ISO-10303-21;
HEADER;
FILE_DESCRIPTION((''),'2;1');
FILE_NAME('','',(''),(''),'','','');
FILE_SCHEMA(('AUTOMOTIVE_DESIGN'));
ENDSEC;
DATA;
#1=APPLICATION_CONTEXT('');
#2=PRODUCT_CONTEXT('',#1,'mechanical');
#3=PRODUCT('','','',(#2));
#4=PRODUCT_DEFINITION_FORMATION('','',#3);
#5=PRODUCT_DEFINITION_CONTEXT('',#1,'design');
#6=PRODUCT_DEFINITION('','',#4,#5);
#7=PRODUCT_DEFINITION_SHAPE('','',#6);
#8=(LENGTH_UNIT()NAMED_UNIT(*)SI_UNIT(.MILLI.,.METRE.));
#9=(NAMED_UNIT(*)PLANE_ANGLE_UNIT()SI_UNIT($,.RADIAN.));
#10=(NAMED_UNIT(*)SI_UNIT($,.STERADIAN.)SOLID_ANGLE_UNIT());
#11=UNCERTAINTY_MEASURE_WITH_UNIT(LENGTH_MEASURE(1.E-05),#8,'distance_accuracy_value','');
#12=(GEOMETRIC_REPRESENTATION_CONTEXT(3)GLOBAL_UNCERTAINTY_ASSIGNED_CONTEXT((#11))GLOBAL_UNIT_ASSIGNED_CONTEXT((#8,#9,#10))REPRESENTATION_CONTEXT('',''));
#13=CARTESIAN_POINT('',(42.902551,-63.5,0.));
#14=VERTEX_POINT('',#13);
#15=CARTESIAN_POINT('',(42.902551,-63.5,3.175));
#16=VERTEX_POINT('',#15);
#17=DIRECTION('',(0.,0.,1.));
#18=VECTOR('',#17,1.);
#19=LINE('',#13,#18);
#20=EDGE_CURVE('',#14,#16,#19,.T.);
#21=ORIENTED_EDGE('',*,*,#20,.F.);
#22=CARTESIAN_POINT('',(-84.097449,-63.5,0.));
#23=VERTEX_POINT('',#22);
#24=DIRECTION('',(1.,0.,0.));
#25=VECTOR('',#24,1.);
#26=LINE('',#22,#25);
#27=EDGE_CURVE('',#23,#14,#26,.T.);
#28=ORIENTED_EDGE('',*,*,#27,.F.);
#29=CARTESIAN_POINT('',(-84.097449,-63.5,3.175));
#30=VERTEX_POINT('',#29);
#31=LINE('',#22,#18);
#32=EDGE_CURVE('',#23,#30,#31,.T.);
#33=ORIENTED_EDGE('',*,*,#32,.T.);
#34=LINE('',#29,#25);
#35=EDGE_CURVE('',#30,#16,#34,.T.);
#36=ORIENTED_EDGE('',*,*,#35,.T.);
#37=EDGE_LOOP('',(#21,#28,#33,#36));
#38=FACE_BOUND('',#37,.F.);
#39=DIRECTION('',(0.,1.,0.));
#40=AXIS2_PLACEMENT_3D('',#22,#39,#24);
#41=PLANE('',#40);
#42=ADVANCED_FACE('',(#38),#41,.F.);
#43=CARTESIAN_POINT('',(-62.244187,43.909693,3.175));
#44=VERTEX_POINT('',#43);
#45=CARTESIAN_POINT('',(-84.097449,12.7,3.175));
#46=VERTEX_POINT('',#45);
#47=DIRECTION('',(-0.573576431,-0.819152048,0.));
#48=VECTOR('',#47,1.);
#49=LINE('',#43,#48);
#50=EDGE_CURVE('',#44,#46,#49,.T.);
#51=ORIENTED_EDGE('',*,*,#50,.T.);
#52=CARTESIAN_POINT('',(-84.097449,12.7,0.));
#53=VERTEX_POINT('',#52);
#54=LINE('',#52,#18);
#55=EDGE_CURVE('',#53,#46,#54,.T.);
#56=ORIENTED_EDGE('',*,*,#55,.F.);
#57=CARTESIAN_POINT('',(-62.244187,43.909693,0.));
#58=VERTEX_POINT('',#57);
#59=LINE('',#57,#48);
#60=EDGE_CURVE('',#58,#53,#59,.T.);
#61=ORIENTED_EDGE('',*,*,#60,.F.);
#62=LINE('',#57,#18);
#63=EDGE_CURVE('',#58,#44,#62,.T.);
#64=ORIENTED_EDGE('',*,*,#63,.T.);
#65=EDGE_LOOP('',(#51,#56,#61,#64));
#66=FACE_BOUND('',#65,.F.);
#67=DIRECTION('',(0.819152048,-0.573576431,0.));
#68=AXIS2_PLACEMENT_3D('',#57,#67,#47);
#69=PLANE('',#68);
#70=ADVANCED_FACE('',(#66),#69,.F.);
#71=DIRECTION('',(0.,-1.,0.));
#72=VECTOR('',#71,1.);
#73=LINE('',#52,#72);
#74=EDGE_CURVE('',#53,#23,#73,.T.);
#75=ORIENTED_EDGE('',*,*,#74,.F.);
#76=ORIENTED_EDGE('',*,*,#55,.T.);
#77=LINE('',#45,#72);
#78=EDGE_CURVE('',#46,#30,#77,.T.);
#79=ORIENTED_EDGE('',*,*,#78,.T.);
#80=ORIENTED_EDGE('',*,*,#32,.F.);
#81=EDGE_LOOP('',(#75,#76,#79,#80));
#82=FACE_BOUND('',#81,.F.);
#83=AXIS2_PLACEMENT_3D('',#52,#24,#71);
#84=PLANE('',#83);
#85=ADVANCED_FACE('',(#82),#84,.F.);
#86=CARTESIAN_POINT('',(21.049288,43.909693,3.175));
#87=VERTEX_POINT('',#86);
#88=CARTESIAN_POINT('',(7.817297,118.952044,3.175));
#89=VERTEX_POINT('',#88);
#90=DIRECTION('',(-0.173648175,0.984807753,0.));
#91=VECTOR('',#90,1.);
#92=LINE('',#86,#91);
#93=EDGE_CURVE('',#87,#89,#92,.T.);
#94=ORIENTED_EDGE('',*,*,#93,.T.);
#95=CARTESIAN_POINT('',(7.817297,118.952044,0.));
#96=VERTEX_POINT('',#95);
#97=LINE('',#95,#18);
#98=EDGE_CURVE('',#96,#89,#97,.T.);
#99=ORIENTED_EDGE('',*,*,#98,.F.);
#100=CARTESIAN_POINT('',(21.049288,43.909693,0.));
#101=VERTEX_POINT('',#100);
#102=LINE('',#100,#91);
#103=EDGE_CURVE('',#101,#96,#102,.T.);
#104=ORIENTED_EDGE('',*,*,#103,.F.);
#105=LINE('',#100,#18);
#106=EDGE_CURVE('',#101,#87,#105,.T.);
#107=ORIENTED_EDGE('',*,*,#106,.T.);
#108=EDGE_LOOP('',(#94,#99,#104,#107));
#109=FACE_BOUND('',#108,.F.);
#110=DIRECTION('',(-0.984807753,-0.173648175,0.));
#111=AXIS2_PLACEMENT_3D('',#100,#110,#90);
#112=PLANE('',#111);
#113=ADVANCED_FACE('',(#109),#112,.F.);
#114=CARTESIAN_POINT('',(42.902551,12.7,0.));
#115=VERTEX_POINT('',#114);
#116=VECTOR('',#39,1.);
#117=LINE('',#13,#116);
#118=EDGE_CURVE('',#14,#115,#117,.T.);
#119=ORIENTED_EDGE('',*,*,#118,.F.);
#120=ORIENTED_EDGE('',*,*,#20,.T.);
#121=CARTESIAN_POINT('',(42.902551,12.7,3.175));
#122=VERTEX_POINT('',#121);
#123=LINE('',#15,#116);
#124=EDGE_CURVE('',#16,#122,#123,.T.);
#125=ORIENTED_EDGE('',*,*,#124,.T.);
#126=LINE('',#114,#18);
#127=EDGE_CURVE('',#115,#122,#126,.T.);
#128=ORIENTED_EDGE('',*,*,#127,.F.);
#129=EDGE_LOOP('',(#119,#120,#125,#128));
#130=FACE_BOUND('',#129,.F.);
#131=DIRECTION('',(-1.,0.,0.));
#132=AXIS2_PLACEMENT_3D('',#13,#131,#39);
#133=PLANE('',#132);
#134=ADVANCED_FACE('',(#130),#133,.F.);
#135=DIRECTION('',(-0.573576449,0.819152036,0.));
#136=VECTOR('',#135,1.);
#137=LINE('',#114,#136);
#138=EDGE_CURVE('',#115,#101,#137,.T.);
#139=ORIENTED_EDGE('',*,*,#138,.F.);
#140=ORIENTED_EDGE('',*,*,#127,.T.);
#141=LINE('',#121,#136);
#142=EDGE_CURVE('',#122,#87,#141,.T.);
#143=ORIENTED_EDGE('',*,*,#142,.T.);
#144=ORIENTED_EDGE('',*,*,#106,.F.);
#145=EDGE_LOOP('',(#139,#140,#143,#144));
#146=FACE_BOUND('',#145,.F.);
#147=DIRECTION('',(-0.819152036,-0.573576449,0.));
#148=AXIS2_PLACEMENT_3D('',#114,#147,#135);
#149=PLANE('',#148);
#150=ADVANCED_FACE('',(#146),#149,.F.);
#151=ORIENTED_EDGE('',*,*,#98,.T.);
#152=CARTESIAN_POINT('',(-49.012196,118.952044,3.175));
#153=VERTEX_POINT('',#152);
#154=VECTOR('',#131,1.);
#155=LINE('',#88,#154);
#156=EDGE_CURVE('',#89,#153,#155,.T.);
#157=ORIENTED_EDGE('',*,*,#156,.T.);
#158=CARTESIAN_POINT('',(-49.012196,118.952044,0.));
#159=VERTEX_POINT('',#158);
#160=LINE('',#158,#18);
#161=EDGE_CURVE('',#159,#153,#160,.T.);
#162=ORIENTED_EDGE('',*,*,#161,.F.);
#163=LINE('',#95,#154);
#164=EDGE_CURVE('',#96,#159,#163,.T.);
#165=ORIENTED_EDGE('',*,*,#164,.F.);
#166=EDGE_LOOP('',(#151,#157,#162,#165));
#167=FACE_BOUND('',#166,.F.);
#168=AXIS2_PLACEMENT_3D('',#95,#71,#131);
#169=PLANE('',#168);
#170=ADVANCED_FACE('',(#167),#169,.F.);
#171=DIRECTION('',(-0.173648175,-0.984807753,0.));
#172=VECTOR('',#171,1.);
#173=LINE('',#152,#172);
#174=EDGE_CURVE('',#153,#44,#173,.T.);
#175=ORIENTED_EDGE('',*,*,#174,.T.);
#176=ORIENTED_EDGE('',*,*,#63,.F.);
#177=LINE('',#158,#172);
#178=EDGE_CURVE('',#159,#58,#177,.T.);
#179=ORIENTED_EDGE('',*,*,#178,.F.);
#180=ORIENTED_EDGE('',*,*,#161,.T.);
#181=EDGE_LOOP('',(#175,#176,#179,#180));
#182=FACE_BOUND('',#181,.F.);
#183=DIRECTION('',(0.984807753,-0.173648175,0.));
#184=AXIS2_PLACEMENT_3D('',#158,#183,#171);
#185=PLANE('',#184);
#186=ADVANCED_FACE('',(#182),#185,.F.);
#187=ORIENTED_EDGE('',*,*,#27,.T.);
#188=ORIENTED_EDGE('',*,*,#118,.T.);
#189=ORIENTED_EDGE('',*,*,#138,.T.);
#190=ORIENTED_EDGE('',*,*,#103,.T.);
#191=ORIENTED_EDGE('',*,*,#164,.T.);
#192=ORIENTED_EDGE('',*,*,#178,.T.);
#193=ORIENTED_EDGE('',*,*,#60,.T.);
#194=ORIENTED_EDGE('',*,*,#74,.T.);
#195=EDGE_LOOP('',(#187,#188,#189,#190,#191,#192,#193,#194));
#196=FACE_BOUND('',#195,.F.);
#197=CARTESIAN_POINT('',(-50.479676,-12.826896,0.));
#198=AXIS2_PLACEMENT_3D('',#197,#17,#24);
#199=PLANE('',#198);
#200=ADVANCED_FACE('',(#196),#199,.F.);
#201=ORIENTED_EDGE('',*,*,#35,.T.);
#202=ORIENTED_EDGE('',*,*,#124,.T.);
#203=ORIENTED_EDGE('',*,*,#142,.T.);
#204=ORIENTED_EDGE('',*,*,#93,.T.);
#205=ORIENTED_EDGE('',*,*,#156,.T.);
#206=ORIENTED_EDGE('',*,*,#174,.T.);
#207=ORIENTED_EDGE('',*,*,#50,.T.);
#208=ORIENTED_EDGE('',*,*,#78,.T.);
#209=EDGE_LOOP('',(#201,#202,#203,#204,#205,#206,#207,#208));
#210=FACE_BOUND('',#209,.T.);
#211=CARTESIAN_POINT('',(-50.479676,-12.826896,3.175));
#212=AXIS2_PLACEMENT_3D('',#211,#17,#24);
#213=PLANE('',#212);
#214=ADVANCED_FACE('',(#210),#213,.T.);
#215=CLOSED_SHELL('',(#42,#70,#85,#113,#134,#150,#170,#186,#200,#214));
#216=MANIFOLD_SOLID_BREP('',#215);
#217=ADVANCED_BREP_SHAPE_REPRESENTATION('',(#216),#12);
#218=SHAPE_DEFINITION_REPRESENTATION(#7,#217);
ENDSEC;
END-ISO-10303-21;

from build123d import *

# Parameters (mm, degrees)
F0_W     = 3.175
F0_H     = 50.8
F1_DEPTH = 3.175


with BuildPart() as f1:
    # F0 (on Top) → F1 (new body)
    with BuildSketch(Plane.XY):
        Polygon((-84.097449, -50.8), (-84.097449, -63.5), (-20.597449, -63.5), (-20.597449, 43.909693), (-62.244187, 43.909693), (-84.097449, 12.7), (-84.097449, 0), (-80.922449, 0), (-80.922449, -50.8), align=None)
        Polygon((-20.597449, 43.909693), (-20.597449, -63.5), (42.902551, -63.5), (42.902551, -50.8), (39.727551, -50.8), (39.727551, 0), (42.902551, 0), (42.902551, 12.7), (21.049288, 43.909693), align=None)
        with Locations((-82.509949, -25.4)):
            Rectangle(F0_W, F0_H)
        Polygon((-20.597449, 118.952044), (-20.597449, 43.909693), (21.049288, 43.909693), (7.817297, 118.952044), align=None)
        Polygon((-62.244187, 43.909693), (-20.597449, 43.909693), (-20.597449, 118.952044), (-49.012196, 118.952044), align=None)
        with Locations((41.315051, -25.4)):
            Rectangle(F0_W, F0_H)
    extrude(amount=F1_DEPTH)


solid = f1.part
